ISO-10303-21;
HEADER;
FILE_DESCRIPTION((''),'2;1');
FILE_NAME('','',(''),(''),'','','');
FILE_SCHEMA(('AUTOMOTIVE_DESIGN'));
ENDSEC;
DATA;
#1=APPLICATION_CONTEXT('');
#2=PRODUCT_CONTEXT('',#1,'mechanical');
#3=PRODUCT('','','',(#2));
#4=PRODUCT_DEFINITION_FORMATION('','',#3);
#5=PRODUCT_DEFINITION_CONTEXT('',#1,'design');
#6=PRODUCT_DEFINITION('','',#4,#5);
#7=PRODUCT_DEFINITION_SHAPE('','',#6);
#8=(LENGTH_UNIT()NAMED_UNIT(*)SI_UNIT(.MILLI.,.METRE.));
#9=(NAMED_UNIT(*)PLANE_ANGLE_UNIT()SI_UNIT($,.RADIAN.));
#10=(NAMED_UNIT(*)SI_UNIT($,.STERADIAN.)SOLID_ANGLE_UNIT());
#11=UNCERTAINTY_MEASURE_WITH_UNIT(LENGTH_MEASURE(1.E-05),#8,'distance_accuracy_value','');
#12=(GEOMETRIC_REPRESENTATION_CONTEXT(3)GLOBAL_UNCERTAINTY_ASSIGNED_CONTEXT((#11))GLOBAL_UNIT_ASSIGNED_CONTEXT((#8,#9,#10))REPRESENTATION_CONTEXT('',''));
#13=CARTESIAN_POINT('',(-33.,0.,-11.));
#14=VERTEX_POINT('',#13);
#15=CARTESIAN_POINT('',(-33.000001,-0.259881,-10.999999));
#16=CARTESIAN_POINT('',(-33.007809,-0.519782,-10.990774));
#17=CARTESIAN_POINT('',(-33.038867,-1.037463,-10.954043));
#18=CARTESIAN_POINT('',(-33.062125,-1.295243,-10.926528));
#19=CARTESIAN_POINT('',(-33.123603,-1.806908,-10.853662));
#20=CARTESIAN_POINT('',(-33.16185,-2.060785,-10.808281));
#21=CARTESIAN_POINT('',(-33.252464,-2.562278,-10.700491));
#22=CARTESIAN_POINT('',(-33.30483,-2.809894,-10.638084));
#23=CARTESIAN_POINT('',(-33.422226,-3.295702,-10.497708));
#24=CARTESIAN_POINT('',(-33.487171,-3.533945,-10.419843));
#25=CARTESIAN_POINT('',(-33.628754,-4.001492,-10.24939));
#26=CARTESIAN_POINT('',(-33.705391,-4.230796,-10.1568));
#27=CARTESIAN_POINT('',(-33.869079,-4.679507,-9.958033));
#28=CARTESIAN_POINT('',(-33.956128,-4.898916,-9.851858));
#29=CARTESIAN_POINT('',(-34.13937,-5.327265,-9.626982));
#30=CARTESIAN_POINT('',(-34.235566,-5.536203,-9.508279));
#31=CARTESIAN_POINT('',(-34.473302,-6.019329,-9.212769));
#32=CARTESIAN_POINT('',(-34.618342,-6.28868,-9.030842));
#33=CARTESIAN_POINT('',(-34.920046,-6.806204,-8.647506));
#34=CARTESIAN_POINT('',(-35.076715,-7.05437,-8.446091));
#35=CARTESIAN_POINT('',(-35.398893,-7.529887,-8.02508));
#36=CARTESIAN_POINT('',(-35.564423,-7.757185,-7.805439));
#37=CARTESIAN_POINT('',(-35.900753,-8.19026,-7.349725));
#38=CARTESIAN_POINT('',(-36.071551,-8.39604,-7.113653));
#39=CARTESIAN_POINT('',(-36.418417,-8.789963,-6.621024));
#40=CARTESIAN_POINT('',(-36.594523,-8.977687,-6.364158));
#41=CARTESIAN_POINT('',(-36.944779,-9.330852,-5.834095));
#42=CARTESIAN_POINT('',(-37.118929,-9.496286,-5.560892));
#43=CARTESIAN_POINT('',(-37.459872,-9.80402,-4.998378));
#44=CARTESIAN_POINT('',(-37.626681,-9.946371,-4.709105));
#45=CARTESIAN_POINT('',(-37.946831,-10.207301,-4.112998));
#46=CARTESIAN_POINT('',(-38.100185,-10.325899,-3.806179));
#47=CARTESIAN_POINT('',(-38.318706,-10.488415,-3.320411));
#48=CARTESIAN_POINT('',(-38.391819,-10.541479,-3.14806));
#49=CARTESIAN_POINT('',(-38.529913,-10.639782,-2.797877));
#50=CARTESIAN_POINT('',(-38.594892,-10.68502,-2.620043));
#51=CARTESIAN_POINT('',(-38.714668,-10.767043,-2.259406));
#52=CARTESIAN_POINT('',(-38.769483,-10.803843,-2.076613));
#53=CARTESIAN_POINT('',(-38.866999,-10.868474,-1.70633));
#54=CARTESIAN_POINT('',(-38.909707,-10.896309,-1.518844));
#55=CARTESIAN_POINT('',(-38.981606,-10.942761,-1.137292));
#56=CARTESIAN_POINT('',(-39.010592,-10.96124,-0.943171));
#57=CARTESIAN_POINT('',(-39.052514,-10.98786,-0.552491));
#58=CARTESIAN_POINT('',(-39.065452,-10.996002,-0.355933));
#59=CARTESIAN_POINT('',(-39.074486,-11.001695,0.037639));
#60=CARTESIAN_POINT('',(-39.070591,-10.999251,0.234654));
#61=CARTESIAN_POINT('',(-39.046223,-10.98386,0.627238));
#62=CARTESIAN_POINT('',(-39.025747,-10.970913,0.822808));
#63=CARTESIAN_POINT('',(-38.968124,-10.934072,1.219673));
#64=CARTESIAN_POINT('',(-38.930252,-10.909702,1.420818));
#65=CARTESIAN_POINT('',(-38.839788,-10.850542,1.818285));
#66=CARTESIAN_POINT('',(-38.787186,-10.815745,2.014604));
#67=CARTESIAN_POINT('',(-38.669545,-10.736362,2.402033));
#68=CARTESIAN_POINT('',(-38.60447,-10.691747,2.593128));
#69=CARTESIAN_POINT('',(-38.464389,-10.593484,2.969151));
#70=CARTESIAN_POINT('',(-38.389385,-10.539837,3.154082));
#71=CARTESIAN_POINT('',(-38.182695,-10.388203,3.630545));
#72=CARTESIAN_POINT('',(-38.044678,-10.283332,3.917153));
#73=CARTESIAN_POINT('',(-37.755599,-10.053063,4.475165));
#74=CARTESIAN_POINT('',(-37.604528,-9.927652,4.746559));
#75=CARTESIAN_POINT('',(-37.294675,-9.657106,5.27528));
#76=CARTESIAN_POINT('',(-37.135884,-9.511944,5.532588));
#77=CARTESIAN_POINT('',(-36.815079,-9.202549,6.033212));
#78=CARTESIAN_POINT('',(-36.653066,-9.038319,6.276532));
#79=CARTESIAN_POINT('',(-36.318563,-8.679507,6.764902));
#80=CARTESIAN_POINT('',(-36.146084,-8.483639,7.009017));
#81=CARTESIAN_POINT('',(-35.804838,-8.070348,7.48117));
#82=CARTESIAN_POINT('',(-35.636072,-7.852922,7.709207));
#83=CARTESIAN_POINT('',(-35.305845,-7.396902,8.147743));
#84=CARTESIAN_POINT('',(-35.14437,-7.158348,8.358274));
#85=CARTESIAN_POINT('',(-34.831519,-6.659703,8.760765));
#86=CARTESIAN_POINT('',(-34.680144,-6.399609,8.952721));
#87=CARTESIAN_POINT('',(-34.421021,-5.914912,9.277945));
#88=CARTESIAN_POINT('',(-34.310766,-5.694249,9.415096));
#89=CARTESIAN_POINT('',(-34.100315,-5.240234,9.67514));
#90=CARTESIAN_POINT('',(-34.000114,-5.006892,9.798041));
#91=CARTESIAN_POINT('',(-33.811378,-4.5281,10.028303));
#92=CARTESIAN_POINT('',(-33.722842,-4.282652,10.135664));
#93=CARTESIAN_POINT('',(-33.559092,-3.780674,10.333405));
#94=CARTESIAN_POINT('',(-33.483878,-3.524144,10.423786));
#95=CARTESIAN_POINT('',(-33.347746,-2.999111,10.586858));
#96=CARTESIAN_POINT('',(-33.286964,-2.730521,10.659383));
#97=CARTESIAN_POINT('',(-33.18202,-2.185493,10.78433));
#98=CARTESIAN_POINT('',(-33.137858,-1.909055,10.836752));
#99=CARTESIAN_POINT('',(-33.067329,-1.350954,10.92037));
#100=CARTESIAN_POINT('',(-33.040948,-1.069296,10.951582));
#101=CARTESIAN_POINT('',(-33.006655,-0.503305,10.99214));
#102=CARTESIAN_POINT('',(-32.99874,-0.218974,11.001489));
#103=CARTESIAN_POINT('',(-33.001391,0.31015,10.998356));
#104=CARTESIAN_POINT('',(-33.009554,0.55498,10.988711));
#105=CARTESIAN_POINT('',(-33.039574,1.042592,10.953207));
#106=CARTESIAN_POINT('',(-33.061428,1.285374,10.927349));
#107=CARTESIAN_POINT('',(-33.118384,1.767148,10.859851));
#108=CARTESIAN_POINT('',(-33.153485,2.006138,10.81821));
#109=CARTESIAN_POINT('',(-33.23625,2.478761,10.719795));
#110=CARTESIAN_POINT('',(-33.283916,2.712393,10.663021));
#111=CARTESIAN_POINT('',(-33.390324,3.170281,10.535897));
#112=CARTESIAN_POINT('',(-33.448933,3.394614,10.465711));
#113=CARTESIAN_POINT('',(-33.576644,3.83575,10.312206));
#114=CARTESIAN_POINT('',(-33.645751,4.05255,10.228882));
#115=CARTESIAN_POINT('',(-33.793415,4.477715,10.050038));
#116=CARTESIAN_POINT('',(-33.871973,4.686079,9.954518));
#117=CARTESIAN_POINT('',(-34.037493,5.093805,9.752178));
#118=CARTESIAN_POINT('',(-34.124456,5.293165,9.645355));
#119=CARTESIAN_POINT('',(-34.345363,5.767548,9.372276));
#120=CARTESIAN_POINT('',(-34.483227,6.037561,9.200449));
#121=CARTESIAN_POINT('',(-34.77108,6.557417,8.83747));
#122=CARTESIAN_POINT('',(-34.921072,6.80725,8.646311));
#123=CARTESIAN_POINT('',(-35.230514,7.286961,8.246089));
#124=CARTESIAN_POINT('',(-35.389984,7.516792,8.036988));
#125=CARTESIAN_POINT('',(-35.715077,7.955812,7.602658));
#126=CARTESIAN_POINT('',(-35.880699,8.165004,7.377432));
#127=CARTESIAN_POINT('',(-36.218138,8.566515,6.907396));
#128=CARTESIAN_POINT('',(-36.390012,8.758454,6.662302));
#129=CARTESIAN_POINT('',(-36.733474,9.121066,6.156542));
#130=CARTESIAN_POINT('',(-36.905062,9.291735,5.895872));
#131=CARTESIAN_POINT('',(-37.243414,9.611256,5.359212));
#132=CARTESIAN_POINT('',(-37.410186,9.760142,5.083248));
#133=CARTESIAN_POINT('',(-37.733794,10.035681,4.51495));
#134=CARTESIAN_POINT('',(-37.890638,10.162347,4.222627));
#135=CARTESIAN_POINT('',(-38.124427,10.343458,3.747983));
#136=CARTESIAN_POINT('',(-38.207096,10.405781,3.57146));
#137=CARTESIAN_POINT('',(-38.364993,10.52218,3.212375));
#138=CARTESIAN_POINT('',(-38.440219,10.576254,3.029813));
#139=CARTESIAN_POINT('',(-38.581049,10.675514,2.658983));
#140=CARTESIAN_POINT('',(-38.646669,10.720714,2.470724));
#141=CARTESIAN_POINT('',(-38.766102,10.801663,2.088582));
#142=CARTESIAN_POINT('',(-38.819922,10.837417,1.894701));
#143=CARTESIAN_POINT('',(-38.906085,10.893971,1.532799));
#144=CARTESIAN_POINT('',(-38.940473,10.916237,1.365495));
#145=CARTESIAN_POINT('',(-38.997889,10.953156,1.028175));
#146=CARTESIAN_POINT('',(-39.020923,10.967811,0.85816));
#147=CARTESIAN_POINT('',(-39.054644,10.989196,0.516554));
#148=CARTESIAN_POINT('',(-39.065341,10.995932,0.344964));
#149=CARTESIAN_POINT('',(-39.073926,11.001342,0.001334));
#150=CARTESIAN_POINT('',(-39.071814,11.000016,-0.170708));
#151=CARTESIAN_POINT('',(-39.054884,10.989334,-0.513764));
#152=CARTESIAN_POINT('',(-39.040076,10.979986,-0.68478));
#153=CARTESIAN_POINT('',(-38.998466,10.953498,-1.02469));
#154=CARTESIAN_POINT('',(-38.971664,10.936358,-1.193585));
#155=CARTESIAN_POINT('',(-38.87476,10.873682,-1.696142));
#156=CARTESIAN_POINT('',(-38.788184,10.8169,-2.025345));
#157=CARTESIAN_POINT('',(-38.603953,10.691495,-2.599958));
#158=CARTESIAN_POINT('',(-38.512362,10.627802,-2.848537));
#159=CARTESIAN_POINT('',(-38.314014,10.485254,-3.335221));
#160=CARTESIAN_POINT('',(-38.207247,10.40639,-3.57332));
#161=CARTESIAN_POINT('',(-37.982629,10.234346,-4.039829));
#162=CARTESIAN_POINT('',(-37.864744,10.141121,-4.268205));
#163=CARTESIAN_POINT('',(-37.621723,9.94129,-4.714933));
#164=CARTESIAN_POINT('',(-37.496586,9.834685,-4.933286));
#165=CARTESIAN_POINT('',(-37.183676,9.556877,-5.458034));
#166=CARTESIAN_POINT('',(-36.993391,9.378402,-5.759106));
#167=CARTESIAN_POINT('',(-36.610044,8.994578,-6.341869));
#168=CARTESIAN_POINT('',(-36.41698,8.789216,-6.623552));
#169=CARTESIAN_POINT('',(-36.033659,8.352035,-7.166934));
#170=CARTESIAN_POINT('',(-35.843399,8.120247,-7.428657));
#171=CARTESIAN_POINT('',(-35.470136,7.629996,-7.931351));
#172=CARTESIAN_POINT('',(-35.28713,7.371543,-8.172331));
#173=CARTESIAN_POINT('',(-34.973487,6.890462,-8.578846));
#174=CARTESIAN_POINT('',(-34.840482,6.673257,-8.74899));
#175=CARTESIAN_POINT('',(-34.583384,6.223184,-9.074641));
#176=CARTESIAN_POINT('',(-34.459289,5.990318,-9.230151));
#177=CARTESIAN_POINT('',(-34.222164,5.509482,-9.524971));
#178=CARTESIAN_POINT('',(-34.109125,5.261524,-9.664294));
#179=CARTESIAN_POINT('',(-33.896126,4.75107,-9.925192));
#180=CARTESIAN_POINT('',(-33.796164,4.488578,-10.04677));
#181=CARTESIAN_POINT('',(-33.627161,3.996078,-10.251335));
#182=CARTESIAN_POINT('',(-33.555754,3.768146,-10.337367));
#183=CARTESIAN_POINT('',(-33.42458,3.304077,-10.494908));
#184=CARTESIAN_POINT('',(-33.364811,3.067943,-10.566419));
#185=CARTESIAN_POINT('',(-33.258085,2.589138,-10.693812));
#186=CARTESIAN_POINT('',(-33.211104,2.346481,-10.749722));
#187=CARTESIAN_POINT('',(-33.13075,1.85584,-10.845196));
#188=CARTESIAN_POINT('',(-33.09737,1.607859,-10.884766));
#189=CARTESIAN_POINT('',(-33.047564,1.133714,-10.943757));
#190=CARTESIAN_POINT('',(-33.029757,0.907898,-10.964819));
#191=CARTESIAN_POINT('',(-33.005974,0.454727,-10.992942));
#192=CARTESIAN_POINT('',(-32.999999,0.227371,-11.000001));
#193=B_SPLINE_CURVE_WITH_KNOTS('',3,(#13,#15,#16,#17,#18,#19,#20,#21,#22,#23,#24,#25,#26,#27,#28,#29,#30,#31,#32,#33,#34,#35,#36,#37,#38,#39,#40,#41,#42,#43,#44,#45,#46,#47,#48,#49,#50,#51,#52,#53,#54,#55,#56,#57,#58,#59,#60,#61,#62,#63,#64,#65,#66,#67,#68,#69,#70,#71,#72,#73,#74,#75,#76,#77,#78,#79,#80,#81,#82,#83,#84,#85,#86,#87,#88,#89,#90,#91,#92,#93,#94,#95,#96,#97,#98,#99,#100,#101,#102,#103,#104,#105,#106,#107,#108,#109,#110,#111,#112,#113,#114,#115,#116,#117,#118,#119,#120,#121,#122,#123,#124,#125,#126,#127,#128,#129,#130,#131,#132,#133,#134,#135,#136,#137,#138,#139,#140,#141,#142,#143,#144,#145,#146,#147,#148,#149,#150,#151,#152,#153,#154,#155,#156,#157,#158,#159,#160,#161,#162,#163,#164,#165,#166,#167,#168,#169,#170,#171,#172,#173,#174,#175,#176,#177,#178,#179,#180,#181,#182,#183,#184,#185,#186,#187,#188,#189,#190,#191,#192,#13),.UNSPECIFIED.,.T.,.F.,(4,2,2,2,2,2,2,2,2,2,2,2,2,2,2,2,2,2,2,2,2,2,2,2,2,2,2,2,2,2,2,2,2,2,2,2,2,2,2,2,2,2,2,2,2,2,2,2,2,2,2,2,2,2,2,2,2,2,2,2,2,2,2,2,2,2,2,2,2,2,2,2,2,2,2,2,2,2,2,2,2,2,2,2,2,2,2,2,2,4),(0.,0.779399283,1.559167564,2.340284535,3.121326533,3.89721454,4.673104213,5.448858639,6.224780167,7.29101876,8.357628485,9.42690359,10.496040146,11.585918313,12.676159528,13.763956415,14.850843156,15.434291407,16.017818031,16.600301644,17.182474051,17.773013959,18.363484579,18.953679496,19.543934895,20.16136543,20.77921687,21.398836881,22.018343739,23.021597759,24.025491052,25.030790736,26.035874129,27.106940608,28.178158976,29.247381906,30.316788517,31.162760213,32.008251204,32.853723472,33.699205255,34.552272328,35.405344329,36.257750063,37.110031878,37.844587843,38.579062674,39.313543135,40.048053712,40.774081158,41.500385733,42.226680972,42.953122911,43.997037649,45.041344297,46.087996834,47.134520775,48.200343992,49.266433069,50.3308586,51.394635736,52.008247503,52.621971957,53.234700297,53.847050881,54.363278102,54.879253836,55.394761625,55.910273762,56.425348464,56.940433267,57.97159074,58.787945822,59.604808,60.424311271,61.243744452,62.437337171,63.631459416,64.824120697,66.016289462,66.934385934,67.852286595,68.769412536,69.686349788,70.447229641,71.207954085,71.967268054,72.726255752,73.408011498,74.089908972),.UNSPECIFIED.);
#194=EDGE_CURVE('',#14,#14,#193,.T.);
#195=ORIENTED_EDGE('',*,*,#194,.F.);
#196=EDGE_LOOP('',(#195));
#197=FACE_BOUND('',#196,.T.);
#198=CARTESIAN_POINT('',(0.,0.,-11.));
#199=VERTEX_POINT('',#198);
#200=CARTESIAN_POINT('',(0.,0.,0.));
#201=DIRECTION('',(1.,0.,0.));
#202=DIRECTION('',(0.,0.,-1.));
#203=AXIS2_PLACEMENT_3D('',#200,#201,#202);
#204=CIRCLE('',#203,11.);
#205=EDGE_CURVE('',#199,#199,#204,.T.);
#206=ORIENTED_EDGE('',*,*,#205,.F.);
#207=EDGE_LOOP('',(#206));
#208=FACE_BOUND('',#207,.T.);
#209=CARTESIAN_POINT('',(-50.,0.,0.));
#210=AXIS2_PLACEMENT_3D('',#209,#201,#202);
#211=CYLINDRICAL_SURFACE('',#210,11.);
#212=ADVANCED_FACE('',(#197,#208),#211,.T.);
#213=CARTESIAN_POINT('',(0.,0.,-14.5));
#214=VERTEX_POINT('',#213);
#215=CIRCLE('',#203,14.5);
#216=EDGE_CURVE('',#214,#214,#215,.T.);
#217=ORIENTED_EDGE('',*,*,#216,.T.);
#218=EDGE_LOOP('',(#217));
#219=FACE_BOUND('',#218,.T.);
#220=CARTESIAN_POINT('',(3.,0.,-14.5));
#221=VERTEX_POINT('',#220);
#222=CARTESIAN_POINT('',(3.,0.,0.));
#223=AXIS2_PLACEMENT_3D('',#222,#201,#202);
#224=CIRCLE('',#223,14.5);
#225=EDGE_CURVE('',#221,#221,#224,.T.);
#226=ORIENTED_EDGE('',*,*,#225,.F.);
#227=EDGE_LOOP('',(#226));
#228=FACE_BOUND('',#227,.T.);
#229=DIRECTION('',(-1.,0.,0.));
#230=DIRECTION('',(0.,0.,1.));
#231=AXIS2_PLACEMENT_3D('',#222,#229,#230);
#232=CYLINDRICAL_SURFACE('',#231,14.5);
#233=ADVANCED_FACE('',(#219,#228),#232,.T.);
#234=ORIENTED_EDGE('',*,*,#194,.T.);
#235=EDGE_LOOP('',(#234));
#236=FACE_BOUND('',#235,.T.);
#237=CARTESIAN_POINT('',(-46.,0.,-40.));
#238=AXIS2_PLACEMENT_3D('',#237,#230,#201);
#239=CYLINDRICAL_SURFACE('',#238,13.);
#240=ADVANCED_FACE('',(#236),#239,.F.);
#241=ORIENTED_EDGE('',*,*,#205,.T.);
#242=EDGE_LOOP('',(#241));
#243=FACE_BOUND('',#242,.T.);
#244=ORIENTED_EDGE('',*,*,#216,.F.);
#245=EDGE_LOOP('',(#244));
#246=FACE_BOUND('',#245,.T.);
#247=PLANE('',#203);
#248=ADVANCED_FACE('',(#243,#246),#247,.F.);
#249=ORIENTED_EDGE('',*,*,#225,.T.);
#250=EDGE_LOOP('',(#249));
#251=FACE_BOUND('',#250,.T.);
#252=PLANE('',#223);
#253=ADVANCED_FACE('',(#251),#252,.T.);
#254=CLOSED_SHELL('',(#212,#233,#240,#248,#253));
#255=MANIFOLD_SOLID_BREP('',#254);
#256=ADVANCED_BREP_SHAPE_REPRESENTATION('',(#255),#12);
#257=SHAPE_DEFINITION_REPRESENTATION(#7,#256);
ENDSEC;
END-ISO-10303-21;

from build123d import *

# Parameters (mm, degrees)
ESBO_O1_R             = 11
EXTRUS_O1_DEPTH       = 50
ESBO_O2_R             = 13
CORTE_EXTRUS_O1_DEPTH = 40
ESBO_O3_R             = 14.5
EXTRUS_O2_DEPTH       = 3


with BuildPart() as part:
    # Esboço1 → Extrusão1 (new body)
    with BuildSketch(Plane(origin=(0, 0, 0), x_dir=(0, 0, -1), z_dir=(1, 0, 0))):
        Circle(ESBO_O1_R)
    extrude(amount=-EXTRUS_O1_DEPTH)

    # Esboço2 → Corte-extrusão1 (cut, symmetric)
    with BuildSketch(Plane.XY):
        with Locations((-46, 0)):
            Circle(ESBO_O2_R)
    extrude(amount=CORTE_EXTRUS_O1_DEPTH, both=True, mode=Mode.SUBTRACT)

    # Esboço3 → Extrusão2 (add)
    with BuildSketch(Plane(origin=(0, 0, 0), x_dir=(0, 0, -1), z_dir=(1, 0, 0))):
        Circle(ESBO_O3_R)
    extrude(amount=EXTRUS_O2_DEPTH)


solid = part.part
